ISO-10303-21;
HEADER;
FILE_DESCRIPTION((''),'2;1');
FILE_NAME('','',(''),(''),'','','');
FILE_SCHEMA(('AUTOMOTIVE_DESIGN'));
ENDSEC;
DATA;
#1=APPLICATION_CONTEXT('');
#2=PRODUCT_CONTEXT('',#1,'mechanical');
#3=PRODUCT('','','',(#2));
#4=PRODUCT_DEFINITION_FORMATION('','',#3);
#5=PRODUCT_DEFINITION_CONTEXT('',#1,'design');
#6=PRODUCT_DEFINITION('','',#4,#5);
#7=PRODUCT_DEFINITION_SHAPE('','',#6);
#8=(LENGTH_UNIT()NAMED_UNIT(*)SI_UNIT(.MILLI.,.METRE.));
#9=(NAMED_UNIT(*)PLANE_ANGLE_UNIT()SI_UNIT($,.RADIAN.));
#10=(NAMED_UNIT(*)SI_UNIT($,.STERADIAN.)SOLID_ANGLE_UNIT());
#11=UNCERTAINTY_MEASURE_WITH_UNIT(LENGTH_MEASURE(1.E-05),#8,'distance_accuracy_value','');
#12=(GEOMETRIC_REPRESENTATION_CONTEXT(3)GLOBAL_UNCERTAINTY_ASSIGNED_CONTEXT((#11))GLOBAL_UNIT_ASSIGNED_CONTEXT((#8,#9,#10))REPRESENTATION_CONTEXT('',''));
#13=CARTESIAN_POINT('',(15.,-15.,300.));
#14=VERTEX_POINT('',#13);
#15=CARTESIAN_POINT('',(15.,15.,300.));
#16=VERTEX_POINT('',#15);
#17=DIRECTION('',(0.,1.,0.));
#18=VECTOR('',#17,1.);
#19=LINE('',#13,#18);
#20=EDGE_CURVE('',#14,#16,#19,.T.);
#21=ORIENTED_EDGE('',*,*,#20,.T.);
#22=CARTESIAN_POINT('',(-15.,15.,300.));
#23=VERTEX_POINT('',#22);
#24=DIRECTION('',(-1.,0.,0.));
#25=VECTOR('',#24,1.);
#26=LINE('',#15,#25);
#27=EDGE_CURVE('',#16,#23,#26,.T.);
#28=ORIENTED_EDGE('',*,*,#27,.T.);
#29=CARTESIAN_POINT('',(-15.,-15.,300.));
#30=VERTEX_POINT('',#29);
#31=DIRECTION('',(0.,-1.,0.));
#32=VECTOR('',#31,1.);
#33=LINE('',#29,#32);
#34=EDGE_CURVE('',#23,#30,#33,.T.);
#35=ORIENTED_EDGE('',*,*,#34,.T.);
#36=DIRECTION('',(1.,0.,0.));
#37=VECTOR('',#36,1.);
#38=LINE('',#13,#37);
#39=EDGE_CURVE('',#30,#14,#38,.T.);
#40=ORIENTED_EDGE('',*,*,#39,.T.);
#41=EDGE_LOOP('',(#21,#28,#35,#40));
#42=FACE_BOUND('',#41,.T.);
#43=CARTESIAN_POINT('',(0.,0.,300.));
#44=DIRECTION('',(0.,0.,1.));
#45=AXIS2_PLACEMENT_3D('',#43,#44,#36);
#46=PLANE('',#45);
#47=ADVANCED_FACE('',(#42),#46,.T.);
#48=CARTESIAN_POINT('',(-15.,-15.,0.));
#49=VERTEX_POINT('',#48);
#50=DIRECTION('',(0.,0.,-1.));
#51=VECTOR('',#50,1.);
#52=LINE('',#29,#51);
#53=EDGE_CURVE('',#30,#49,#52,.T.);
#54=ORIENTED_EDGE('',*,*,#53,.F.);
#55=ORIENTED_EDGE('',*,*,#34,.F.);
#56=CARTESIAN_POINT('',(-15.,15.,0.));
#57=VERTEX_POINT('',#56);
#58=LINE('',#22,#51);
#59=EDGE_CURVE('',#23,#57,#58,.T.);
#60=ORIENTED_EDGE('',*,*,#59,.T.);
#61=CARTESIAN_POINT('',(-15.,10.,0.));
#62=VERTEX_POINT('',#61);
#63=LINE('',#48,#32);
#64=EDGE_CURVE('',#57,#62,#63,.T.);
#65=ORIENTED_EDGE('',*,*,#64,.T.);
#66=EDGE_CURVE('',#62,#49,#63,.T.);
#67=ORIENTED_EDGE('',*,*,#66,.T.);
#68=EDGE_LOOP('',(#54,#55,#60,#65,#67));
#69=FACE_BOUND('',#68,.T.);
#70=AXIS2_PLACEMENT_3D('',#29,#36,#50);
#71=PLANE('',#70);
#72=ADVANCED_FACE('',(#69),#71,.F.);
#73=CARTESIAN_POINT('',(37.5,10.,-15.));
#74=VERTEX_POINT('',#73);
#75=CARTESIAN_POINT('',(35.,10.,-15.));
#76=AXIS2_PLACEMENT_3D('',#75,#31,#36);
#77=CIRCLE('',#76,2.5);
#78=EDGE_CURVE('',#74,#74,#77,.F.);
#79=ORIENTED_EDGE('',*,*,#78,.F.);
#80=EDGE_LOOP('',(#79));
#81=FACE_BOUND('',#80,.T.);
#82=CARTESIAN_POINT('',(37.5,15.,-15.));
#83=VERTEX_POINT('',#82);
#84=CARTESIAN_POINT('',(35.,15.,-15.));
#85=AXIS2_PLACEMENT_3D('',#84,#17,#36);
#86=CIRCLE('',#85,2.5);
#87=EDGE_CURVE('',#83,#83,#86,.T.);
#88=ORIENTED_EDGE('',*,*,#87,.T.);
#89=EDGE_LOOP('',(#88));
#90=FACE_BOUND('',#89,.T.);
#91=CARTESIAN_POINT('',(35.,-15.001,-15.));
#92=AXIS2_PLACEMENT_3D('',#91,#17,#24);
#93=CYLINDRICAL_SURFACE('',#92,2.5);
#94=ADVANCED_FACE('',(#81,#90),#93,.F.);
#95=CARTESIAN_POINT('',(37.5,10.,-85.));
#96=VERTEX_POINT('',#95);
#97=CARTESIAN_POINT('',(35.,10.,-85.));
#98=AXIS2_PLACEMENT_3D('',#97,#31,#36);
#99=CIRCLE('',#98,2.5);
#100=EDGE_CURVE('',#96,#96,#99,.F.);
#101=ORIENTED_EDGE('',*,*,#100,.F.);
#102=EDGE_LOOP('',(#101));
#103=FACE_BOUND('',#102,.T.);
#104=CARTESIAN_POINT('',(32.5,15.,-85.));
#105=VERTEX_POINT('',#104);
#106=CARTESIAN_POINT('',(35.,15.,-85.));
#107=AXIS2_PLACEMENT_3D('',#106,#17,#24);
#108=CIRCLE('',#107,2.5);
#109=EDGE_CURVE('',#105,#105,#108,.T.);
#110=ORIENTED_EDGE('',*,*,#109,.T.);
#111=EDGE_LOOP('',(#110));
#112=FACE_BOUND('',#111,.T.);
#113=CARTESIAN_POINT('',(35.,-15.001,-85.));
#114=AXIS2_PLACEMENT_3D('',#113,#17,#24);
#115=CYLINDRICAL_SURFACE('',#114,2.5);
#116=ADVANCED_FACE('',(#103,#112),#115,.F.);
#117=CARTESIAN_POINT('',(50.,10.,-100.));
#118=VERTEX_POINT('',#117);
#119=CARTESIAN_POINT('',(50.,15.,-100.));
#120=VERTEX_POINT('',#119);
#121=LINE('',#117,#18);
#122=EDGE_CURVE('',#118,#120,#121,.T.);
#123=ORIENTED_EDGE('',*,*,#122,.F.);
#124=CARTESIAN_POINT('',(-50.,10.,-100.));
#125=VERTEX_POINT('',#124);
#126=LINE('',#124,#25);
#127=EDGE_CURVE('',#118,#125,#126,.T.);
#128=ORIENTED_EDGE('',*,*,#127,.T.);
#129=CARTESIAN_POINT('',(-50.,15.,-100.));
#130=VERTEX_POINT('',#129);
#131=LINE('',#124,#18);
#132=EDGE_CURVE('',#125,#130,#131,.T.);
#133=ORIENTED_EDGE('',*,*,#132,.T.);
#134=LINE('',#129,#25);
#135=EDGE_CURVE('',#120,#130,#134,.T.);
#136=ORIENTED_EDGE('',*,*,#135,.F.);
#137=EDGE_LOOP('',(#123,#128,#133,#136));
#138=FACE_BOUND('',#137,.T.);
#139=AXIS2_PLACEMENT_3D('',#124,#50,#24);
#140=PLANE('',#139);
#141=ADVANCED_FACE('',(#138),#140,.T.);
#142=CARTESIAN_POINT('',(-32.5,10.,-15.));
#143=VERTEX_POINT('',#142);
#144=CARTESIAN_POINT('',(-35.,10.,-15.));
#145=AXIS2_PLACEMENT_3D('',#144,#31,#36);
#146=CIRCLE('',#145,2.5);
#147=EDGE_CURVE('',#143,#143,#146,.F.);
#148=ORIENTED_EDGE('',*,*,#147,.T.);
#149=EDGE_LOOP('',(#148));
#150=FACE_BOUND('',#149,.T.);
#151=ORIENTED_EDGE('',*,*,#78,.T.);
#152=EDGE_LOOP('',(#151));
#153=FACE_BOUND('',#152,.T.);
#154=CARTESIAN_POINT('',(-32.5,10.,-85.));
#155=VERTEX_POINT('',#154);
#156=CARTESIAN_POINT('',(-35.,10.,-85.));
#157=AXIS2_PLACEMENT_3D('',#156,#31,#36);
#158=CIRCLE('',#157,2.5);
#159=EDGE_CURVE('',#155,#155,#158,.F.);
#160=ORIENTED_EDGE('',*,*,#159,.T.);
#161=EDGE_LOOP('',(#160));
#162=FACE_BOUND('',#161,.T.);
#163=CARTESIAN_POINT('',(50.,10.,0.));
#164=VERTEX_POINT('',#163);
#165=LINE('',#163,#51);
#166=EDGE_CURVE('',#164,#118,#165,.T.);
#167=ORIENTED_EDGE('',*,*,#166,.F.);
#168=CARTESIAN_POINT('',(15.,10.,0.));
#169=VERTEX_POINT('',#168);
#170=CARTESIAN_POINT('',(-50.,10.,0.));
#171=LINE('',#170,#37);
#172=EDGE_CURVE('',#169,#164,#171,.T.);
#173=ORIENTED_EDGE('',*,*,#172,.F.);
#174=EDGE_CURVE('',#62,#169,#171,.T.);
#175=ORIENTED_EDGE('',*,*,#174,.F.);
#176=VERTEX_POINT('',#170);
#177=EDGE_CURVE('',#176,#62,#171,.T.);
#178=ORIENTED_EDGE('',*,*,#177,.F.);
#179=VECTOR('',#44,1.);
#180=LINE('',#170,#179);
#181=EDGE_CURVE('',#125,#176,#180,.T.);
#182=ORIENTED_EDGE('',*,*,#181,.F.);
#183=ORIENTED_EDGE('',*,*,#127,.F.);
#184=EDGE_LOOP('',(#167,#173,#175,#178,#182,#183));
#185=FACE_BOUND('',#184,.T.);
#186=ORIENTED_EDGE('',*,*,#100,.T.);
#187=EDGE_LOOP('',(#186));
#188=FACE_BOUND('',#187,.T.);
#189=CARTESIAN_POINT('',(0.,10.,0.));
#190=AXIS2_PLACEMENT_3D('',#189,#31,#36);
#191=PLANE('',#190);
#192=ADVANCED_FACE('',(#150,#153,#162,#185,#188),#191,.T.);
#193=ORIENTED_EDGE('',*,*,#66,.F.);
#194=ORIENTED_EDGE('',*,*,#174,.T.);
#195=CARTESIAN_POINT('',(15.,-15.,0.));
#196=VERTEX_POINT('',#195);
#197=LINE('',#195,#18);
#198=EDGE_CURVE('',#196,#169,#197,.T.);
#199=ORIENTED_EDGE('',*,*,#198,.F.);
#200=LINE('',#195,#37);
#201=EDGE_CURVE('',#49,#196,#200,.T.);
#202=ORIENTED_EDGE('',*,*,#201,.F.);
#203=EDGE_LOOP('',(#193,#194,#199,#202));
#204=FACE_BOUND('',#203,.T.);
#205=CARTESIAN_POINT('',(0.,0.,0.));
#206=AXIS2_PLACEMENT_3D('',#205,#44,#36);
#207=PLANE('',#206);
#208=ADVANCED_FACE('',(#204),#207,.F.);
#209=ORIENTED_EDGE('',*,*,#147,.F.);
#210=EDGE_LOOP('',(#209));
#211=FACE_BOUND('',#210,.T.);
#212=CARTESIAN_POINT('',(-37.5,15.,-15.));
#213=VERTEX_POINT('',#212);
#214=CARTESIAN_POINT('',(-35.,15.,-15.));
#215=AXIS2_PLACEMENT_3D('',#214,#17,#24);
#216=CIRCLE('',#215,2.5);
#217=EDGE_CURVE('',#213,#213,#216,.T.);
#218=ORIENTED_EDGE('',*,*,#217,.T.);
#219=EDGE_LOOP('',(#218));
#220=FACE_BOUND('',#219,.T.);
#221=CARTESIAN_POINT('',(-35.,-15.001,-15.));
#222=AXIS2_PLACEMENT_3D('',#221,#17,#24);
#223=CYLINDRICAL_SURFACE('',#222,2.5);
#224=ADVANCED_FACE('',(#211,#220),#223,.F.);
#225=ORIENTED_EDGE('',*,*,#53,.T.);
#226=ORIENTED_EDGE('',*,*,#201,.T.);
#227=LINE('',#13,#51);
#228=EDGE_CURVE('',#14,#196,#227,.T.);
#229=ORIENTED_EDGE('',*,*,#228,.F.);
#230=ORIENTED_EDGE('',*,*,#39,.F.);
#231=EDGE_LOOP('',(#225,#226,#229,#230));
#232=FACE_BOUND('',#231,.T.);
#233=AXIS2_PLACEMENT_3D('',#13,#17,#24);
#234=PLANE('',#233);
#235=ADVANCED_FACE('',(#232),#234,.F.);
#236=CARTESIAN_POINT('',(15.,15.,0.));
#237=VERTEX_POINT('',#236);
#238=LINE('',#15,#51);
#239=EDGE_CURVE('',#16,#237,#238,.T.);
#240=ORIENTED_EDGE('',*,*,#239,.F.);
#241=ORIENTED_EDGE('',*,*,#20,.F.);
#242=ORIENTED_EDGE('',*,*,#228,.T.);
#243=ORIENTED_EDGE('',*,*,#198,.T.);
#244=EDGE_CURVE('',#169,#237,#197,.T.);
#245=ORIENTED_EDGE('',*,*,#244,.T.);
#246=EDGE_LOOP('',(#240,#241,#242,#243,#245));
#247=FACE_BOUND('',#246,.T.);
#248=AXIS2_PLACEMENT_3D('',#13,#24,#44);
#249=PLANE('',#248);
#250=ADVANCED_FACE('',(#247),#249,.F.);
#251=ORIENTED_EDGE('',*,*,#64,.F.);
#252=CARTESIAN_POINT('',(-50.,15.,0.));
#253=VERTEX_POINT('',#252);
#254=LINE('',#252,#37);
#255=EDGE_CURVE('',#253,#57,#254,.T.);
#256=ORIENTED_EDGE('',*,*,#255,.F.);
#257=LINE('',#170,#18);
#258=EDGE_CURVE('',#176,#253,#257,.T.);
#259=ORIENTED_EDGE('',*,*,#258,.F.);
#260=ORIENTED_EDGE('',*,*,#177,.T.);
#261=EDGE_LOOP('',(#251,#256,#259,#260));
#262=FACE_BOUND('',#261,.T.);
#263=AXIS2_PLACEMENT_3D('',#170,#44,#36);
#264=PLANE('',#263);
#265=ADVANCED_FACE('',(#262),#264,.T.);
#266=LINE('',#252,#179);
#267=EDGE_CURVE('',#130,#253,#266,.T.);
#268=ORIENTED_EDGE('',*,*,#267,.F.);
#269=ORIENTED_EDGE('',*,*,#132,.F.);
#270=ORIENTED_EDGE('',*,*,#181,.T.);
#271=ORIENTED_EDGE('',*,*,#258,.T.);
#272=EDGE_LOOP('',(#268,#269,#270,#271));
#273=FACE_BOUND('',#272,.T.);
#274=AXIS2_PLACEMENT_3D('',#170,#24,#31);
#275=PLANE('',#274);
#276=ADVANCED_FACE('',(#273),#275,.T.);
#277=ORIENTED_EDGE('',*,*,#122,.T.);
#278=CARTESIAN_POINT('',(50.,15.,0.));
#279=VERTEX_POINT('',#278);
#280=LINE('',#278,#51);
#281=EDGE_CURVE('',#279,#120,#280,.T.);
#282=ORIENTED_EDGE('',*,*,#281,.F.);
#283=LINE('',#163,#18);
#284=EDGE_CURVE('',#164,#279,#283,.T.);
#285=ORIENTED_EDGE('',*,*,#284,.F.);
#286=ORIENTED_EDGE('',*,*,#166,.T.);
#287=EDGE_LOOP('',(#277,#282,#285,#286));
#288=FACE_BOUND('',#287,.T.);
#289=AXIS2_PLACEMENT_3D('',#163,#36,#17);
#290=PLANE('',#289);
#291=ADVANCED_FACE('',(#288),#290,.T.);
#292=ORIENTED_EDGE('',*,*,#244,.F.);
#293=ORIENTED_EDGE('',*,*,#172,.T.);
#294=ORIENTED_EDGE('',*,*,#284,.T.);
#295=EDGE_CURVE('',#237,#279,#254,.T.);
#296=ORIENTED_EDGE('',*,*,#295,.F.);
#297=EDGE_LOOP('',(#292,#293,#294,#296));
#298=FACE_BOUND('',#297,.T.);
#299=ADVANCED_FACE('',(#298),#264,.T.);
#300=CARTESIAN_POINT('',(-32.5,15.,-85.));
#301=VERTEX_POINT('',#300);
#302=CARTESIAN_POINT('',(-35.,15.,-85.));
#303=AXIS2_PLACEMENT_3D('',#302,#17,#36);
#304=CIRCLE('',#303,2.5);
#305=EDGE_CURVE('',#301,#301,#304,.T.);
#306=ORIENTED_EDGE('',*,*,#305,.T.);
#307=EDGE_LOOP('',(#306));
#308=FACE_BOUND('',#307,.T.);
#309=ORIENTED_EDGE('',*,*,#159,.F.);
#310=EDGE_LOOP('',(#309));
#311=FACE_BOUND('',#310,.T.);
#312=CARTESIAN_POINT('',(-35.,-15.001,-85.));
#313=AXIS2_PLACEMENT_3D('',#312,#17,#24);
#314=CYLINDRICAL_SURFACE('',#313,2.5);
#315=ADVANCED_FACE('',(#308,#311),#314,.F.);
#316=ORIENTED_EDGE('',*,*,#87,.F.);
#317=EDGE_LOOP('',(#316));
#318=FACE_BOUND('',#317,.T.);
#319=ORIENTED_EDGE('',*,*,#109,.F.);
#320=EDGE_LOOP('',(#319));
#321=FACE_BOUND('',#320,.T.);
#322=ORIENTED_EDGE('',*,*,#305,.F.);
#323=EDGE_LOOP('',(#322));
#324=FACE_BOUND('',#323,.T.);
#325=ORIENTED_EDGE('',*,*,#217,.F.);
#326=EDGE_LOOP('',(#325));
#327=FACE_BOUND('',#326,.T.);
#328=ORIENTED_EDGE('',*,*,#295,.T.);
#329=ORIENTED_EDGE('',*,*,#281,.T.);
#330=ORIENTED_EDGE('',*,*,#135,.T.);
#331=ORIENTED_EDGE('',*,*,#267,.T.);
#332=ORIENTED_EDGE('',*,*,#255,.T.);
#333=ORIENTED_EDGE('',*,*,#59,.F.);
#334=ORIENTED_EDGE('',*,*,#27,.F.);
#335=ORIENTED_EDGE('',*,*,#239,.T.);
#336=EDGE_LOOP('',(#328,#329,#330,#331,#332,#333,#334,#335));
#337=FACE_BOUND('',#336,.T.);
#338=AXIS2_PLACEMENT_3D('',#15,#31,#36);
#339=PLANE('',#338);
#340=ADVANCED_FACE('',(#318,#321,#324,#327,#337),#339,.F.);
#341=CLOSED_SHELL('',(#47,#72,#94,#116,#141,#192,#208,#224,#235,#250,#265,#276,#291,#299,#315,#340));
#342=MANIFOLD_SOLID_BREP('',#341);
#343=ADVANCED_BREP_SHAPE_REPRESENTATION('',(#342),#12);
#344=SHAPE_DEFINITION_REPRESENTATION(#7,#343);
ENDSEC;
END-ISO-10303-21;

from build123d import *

# Parameters (mm, degrees)
SKETCH1_W           = 30
SKETCH1_H           = 30
BOSS_EXTRUDE1_DEPTH = 300
SKETCH2_W           = 100
SKETCH2_H           = 100
BOSS_EXTRUDE2_DEPTH = 5
CUT_EXTRUDE1_REACH  = 32
SKETCH3_R           = 2.5


with BuildPart() as part:
    # Sketch1 → Boss-Extrude1 (new body)
    with BuildSketch(Plane.XY):
        Rectangle(SKETCH1_W, SKETCH1_H)
    extrude(amount=BOSS_EXTRUDE1_DEPTH)

    # Sketch2 → Boss-Extrude2 (add)
    with BuildSketch(Plane(origin=(0, 15, 0), x_dir=(1, 0, 0), z_dir=(0, 1, 0))):
        with Locations((0, 50)):
            Rectangle(SKETCH2_W, SKETCH2_H)
    extrude(amount=-BOSS_EXTRUDE2_DEPTH)

    # Sketch3 → Cut-Extrude1 (cut, up to next)
    with BuildSketch(Plane(origin=(0, 15, 0), x_dir=(1, 0, 0), z_dir=(0, 1, 0)), mode=Mode.PRIVATE) as cut_extrude1_sk1:
        with Locations((-35, 15)):
            Circle(SKETCH3_R)
    cut_extrude1_tool1 = extrude(cut_extrude1_sk1.sketch, amount=-CUT_EXTRUDE1_REACH, mode=Mode.PRIVATE) & part.part
    add(cut_extrude1_tool1.solids().sort_by_distance((-35, 15, -15))[0], mode=Mode.SUBTRACT)
    # Sketch3 → Cut-Extrude1 (cut, up to next)
    with BuildSketch(Plane(origin=(0, 15, 0), x_dir=(1, 0, 0), z_dir=(0, 1, 0)), mode=Mode.PRIVATE) as cut_extrude1_sk2:
        with Locations((35, 15)):
            Circle(SKETCH3_R)
    cut_extrude1_tool2 = extrude(cut_extrude1_sk2.sketch, amount=-CUT_EXTRUDE1_REACH, mode=Mode.PRIVATE) & part.part
    add(cut_extrude1_tool2.solids().sort_by_distance((35, 15, -15))[0], mode=Mode.SUBTRACT)
    # Sketch3 → Cut-Extrude1 (cut, up to next)
    with BuildSketch(Plane(origin=(0, 15, 0), x_dir=(1, 0, 0), z_dir=(0, 1, 0)), mode=Mode.PRIVATE) as cut_extrude1_sk3:
        with Locations((-35, 85)):
            Circle(SKETCH3_R)
    cut_extrude1_tool3 = extrude(cut_extrude1_sk3.sketch, amount=-CUT_EXTRUDE1_REACH, mode=Mode.PRIVATE) & part.part
    add(cut_extrude1_tool3.solids().sort_by_distance((-35, 15, -85))[0], mode=Mode.SUBTRACT)
    # Sketch3 → Cut-Extrude1 (cut, up to next)
    with BuildSketch(Plane(origin=(0, 15, 0), x_dir=(1, 0, 0), z_dir=(0, 1, 0)), mode=Mode.PRIVATE) as cut_extrude1_sk4:
        with Locations((35, 85)):
            Circle(SKETCH3_R)
    cut_extrude1_tool4 = extrude(cut_extrude1_sk4.sketch, amount=-CUT_EXTRUDE1_REACH, mode=Mode.PRIVATE) & part.part
    add(cut_extrude1_tool4.solids().sort_by_distance((35, 15, -85))[0], mode=Mode.SUBTRACT)


solid = part.part
